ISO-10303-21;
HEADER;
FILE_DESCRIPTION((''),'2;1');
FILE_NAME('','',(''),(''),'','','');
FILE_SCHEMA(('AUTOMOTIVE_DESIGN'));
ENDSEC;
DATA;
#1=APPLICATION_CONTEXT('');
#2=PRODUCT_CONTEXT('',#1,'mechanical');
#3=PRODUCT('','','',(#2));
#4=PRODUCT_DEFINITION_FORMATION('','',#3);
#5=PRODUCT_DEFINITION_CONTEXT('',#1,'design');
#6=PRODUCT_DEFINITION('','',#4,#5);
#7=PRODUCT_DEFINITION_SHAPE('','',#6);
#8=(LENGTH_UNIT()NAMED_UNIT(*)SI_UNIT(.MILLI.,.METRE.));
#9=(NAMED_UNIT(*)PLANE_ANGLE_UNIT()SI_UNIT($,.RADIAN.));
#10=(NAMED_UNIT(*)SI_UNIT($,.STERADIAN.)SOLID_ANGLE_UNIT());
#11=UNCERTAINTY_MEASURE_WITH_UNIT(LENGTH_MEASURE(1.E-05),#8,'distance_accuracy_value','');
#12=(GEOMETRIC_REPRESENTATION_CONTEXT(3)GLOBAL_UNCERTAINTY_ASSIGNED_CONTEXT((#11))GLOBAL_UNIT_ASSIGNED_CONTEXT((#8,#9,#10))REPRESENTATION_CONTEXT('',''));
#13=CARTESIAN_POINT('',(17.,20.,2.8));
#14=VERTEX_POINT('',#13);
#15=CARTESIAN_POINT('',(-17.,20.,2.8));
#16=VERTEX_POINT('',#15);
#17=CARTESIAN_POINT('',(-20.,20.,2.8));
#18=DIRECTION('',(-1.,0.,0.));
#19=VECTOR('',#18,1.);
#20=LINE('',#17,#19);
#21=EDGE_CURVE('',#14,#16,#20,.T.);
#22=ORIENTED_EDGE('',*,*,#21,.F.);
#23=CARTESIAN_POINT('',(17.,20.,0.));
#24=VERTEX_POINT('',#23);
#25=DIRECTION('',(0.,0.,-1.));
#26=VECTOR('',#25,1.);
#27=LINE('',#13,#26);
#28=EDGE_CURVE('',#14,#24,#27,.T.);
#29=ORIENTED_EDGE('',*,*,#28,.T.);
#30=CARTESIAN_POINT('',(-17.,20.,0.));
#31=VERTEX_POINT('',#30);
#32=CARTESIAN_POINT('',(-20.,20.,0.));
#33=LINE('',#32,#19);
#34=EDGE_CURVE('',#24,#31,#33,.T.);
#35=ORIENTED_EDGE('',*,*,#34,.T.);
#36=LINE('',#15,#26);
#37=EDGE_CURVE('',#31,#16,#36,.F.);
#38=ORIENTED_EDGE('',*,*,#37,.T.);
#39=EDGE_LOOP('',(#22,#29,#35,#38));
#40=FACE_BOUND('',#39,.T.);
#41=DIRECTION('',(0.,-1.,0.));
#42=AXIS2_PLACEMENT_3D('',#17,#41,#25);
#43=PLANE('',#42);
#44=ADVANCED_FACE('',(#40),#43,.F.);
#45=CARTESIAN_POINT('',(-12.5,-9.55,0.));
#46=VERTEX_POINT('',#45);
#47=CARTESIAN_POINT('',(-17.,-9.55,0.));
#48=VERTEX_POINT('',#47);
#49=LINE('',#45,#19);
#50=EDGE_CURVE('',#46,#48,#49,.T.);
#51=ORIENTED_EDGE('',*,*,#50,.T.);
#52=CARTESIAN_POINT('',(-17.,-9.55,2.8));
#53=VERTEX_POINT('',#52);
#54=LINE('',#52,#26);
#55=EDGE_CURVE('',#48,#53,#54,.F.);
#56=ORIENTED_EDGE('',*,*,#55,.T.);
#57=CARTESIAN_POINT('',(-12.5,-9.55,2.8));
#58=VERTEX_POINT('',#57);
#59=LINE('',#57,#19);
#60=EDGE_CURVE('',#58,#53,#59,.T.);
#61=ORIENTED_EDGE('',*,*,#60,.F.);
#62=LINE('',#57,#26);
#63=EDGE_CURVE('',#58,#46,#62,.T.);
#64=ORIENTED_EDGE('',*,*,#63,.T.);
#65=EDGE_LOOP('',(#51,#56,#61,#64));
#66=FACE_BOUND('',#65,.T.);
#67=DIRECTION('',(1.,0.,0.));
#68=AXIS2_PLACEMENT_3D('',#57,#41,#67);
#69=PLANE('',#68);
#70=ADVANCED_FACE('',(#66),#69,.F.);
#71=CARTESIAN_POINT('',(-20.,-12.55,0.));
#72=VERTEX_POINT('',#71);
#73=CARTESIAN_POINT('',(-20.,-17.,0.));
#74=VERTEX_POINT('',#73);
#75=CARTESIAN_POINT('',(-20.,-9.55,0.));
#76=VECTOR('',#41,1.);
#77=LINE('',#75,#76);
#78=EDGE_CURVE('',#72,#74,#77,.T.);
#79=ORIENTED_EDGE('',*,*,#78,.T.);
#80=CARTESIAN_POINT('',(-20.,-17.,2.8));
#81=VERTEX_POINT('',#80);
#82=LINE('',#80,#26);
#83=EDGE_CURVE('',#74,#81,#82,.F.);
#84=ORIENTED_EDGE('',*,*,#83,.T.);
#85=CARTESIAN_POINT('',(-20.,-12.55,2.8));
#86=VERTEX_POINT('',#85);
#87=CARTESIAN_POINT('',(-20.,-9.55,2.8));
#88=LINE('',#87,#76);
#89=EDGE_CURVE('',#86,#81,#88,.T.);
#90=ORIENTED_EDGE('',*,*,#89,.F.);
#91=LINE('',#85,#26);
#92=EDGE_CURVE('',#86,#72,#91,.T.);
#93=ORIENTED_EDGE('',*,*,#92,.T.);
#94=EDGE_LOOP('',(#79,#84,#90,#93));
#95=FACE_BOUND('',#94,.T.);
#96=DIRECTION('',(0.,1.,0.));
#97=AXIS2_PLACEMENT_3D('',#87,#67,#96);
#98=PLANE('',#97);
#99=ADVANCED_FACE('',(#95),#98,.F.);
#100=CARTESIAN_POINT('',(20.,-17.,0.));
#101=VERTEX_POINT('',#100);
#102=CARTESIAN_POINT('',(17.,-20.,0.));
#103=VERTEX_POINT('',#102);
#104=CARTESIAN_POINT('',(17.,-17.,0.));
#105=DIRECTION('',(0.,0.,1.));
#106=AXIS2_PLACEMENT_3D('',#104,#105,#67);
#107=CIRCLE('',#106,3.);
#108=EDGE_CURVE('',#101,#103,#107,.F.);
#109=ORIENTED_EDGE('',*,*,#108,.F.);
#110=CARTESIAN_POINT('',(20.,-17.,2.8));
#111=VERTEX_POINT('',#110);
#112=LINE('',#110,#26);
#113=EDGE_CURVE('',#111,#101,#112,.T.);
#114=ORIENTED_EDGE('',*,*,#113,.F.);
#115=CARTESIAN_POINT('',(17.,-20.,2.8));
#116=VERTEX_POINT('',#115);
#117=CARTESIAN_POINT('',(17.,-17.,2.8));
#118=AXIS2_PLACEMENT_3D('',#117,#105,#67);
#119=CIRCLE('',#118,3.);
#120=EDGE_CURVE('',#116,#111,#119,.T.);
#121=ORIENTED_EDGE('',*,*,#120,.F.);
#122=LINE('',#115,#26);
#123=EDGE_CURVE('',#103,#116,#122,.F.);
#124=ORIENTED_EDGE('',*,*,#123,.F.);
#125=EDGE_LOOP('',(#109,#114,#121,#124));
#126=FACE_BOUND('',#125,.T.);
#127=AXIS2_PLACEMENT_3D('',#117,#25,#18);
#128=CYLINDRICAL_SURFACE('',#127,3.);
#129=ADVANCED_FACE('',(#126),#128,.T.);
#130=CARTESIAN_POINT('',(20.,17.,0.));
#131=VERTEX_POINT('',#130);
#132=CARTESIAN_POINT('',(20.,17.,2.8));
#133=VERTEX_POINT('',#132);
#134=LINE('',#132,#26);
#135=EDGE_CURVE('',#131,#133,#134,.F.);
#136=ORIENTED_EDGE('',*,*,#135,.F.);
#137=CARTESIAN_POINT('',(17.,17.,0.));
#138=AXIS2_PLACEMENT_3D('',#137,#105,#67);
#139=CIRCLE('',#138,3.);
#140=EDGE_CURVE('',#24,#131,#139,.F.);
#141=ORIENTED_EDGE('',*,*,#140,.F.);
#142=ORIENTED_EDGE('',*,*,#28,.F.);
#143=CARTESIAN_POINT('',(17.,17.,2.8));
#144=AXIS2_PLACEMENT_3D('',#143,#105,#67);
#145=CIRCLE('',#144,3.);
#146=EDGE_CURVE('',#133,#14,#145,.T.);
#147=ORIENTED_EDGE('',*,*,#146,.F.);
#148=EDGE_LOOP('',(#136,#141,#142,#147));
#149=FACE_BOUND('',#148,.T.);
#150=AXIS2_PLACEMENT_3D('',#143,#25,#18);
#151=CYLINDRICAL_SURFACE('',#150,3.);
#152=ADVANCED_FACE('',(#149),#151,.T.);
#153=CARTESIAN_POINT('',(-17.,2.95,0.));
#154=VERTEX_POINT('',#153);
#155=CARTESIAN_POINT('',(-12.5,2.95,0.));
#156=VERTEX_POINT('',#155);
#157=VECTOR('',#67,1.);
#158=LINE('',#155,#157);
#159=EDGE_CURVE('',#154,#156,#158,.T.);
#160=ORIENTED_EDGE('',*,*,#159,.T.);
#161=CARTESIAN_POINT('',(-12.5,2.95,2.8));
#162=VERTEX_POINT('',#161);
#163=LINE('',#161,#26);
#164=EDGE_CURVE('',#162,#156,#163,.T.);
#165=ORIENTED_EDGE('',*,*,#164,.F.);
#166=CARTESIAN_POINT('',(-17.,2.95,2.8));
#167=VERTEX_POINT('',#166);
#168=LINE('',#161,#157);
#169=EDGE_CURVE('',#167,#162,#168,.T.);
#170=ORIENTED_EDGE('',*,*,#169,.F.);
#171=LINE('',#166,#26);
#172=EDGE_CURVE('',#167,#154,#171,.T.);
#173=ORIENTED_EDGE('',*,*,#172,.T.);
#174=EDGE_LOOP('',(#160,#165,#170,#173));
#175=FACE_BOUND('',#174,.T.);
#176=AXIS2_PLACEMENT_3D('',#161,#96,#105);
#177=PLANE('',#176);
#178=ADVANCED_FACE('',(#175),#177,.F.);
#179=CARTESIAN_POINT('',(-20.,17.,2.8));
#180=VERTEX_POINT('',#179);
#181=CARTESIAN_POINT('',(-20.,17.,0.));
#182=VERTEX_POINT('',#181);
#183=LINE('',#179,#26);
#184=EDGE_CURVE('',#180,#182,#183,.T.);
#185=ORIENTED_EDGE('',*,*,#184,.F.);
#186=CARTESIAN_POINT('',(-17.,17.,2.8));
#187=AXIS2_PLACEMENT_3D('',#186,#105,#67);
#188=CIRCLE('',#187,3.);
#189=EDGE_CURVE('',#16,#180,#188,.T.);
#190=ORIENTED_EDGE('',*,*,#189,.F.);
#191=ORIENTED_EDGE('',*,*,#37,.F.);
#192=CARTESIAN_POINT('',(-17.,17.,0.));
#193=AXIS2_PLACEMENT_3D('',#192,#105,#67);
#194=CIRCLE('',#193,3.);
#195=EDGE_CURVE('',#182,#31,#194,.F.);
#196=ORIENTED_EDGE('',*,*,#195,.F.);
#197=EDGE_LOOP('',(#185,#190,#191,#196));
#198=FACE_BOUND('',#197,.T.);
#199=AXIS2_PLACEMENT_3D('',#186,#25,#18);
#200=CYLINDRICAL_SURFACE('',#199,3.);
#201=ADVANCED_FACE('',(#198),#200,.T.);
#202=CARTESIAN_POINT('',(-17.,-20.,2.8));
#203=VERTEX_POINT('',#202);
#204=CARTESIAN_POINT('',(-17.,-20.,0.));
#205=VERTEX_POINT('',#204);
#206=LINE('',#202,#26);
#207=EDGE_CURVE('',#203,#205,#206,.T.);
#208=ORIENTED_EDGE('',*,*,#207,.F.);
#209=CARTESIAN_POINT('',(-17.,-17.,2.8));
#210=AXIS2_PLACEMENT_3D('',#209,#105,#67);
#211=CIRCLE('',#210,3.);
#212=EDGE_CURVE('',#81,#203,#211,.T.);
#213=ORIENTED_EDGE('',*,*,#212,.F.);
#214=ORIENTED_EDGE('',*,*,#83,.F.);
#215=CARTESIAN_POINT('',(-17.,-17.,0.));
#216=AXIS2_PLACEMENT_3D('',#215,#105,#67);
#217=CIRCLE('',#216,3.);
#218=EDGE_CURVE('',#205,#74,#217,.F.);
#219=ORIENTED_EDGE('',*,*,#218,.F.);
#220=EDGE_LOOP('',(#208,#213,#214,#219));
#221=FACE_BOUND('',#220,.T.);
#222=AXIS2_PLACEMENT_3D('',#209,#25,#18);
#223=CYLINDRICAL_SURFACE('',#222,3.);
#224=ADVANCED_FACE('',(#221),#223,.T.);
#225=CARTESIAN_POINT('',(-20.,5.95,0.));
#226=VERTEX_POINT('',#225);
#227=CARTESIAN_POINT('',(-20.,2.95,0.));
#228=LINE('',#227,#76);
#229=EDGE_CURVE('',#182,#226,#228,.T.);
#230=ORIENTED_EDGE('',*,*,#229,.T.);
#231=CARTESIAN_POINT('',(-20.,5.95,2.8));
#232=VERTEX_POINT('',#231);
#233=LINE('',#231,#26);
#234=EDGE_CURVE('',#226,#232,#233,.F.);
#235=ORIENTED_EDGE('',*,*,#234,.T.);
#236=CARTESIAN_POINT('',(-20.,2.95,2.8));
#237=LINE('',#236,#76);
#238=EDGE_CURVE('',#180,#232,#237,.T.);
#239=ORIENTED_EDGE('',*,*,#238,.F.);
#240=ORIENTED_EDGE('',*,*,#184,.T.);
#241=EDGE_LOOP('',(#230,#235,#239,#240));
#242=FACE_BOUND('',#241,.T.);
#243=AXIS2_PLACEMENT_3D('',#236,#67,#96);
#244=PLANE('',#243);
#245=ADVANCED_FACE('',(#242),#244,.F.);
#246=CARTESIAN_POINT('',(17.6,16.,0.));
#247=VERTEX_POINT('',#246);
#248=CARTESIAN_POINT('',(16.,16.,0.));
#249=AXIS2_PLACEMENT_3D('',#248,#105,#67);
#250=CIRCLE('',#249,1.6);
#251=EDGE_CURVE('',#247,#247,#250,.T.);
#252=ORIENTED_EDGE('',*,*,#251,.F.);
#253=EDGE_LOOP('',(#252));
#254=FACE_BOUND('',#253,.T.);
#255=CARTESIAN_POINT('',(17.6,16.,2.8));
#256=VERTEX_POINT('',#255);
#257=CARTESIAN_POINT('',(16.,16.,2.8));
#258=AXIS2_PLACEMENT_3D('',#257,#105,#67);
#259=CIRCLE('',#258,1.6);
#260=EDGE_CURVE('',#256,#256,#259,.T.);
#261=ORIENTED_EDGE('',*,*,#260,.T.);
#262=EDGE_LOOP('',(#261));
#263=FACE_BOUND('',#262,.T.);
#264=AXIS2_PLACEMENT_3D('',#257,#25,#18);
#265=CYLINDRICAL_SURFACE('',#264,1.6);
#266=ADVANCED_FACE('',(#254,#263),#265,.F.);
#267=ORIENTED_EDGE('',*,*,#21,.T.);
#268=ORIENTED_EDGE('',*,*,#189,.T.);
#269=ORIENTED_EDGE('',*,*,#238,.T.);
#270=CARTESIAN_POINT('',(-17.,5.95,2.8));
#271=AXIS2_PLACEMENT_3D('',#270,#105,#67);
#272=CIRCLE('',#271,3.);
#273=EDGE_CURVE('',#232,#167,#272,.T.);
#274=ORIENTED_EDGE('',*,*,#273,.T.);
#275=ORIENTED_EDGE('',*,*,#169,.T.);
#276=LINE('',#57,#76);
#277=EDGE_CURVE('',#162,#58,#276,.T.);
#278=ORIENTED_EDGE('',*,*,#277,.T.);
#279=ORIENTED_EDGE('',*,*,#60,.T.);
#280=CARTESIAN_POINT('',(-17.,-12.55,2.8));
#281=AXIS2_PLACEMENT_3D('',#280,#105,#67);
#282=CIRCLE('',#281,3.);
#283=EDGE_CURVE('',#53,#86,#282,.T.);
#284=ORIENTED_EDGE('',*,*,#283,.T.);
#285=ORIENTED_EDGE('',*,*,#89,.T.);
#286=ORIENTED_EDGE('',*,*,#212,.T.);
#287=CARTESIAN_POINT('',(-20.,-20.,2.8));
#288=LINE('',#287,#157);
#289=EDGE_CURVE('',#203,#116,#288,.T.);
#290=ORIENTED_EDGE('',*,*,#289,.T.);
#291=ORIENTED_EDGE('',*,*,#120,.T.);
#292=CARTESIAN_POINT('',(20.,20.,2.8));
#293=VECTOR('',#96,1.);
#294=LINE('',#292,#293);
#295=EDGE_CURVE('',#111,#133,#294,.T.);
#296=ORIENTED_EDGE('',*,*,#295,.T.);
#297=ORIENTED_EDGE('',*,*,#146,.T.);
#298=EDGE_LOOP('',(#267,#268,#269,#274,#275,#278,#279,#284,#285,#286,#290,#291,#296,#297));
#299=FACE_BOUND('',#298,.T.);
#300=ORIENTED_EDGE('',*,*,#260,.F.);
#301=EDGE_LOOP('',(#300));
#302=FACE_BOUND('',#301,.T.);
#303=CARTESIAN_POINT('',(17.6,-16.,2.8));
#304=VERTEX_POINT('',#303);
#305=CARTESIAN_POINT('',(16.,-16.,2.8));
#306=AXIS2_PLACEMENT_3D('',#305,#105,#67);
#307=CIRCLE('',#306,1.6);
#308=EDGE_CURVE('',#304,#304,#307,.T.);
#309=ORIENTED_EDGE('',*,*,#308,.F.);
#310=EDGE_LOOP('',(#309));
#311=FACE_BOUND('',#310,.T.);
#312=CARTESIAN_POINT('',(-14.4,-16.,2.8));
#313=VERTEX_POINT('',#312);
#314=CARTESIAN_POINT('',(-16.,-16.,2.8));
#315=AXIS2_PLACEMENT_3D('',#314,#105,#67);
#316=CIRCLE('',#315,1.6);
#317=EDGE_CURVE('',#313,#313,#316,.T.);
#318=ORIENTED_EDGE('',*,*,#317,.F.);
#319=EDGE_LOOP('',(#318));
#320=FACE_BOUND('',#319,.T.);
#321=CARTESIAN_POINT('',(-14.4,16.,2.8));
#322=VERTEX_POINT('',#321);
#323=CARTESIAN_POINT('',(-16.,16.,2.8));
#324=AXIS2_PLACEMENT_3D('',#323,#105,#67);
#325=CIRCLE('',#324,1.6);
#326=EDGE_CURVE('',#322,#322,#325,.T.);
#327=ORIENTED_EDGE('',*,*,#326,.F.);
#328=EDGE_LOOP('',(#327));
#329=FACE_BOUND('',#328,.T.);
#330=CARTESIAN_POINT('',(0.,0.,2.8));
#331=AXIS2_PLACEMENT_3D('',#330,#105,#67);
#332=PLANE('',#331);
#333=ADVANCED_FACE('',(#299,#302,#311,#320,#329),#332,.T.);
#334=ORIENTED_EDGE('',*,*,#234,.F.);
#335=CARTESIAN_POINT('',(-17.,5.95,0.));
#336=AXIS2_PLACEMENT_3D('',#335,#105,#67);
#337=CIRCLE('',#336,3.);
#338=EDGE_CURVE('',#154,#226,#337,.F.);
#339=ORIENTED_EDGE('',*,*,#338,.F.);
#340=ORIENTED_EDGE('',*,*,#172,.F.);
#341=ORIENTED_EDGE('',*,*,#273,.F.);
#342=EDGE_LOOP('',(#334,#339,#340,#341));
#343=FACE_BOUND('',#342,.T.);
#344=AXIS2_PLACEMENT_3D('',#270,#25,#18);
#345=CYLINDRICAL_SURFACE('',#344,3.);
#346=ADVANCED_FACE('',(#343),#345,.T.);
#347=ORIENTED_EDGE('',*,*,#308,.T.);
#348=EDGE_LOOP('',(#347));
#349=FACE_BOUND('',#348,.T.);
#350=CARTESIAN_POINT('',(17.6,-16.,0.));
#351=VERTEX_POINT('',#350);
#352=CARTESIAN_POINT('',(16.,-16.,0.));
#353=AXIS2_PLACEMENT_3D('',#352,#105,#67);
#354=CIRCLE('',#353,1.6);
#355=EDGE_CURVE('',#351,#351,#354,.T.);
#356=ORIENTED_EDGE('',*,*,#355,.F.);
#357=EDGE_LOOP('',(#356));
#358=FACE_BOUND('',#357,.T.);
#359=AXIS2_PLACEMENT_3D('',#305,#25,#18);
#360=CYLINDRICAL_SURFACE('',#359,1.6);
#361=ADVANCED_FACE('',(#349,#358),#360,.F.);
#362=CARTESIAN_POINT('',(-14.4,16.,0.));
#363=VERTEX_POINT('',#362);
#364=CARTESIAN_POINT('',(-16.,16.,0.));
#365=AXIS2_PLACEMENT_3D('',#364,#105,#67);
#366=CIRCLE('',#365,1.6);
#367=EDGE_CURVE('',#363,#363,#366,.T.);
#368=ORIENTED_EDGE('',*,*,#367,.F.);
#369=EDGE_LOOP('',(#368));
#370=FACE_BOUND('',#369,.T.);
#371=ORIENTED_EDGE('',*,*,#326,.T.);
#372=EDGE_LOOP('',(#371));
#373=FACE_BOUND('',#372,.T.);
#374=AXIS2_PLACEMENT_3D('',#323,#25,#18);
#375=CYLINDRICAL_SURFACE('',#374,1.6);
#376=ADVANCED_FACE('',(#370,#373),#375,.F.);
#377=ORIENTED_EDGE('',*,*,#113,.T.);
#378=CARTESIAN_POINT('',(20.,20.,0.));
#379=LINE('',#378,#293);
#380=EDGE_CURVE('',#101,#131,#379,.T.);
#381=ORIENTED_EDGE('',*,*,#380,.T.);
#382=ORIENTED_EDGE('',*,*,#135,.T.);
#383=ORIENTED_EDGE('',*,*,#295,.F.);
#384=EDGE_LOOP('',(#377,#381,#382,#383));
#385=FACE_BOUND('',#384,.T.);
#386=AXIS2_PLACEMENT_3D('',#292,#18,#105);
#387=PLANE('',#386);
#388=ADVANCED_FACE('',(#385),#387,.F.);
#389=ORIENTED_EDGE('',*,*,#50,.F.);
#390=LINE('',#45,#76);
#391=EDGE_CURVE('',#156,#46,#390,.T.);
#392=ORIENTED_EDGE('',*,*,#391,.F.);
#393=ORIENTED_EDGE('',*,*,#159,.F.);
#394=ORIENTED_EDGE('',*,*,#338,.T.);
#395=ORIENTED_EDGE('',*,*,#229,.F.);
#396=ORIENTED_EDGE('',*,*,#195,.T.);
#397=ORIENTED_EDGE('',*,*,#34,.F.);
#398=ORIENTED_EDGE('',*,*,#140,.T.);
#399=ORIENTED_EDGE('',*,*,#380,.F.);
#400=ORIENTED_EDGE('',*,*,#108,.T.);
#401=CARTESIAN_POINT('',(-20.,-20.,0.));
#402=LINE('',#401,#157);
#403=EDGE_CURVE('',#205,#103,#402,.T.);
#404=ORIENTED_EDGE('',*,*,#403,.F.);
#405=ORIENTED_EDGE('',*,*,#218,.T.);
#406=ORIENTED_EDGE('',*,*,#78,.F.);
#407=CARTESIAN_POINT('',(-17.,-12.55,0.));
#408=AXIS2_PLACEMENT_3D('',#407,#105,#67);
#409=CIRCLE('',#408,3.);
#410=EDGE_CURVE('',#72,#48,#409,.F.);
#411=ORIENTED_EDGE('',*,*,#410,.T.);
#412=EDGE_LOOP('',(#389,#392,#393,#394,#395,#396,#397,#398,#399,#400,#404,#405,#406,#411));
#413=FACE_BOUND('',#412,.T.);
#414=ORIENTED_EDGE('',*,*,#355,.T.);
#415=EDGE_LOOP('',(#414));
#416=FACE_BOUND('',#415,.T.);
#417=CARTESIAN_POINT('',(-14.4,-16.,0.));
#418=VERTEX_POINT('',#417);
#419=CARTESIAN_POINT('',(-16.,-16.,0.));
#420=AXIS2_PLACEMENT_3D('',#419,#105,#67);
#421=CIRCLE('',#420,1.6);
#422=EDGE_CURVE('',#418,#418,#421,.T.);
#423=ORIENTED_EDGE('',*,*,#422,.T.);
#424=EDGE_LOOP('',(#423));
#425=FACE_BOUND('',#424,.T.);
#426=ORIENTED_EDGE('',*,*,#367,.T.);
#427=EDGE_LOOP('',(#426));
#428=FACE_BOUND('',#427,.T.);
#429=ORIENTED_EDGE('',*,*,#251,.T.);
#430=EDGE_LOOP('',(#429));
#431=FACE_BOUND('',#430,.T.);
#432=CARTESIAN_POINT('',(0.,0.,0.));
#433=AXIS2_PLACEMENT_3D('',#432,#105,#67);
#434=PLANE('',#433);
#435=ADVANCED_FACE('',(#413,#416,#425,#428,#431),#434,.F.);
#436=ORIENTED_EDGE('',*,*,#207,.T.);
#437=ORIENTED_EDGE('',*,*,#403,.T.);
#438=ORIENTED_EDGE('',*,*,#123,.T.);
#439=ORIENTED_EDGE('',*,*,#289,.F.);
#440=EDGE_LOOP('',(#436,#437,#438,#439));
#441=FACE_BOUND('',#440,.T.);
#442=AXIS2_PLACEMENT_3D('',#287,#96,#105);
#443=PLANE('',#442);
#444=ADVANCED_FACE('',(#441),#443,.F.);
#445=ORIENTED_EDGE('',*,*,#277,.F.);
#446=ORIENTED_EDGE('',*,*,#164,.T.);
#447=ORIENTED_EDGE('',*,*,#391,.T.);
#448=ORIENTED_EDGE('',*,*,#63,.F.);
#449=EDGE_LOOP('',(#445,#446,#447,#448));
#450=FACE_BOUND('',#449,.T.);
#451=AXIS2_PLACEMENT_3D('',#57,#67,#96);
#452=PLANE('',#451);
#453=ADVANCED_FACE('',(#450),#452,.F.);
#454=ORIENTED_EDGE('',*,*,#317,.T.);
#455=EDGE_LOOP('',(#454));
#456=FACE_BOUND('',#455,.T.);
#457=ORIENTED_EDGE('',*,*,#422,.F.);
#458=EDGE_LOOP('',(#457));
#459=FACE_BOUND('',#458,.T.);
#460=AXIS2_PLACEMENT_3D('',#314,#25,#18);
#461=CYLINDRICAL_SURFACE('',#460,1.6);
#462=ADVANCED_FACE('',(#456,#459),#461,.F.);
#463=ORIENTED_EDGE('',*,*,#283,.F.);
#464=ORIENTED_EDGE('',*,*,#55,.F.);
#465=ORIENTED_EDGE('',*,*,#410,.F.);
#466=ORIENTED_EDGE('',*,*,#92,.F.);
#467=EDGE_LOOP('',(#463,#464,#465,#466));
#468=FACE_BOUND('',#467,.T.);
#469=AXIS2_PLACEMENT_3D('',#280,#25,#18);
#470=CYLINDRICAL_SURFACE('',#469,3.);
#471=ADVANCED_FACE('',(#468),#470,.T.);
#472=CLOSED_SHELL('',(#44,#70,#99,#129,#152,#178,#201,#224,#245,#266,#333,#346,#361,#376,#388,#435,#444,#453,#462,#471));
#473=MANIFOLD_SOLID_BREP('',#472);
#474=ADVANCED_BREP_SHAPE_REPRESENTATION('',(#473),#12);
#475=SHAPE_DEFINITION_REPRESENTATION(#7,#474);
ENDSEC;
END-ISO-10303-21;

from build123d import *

# Parameters (mm, degrees)
SKETCH1_R           = 1.6
BOSS_EXTRUDE1_DEPTH = 2.8
FILLET1_R           = 3


with BuildPart() as part:
    # Sketch1 → Boss-Extrude1 (new body)
    with BuildSketch(Plane.XY):
        Polygon((-20, 20), (20, 20), (20, -20), (-20, -20), (-20, -9.55), (-12.5, -9.55), (-12.5, 2.95), (-20, 2.95), align=None)
        with Locations((-16, 16)):
            Circle(SKETCH1_R, mode=Mode.SUBTRACT)
        with Locations((16, 16)):
            Circle(SKETCH1_R, mode=Mode.SUBTRACT)
        with Locations((16, -16)):
            Circle(SKETCH1_R, mode=Mode.SUBTRACT)
        with Locations((-16, -16)):
            Circle(SKETCH1_R, mode=Mode.SUBTRACT)
    extrude(amount=BOSS_EXTRUDE1_DEPTH)

    # Fillet1
    fillet1_edges = [part.edges().sort_by_distance(p)[0] for p in [
        (20, -20, 1.4),
        (-20, -20, 1.4),
        (-20, -9.55, 1.4),
        (-20, 2.95, 1.4),
        (-20, 20, 1.4),
        (20, 20, 1.4),
    ]]
    fillet(fillet1_edges, radius=FILLET1_R)


solid = part.part
